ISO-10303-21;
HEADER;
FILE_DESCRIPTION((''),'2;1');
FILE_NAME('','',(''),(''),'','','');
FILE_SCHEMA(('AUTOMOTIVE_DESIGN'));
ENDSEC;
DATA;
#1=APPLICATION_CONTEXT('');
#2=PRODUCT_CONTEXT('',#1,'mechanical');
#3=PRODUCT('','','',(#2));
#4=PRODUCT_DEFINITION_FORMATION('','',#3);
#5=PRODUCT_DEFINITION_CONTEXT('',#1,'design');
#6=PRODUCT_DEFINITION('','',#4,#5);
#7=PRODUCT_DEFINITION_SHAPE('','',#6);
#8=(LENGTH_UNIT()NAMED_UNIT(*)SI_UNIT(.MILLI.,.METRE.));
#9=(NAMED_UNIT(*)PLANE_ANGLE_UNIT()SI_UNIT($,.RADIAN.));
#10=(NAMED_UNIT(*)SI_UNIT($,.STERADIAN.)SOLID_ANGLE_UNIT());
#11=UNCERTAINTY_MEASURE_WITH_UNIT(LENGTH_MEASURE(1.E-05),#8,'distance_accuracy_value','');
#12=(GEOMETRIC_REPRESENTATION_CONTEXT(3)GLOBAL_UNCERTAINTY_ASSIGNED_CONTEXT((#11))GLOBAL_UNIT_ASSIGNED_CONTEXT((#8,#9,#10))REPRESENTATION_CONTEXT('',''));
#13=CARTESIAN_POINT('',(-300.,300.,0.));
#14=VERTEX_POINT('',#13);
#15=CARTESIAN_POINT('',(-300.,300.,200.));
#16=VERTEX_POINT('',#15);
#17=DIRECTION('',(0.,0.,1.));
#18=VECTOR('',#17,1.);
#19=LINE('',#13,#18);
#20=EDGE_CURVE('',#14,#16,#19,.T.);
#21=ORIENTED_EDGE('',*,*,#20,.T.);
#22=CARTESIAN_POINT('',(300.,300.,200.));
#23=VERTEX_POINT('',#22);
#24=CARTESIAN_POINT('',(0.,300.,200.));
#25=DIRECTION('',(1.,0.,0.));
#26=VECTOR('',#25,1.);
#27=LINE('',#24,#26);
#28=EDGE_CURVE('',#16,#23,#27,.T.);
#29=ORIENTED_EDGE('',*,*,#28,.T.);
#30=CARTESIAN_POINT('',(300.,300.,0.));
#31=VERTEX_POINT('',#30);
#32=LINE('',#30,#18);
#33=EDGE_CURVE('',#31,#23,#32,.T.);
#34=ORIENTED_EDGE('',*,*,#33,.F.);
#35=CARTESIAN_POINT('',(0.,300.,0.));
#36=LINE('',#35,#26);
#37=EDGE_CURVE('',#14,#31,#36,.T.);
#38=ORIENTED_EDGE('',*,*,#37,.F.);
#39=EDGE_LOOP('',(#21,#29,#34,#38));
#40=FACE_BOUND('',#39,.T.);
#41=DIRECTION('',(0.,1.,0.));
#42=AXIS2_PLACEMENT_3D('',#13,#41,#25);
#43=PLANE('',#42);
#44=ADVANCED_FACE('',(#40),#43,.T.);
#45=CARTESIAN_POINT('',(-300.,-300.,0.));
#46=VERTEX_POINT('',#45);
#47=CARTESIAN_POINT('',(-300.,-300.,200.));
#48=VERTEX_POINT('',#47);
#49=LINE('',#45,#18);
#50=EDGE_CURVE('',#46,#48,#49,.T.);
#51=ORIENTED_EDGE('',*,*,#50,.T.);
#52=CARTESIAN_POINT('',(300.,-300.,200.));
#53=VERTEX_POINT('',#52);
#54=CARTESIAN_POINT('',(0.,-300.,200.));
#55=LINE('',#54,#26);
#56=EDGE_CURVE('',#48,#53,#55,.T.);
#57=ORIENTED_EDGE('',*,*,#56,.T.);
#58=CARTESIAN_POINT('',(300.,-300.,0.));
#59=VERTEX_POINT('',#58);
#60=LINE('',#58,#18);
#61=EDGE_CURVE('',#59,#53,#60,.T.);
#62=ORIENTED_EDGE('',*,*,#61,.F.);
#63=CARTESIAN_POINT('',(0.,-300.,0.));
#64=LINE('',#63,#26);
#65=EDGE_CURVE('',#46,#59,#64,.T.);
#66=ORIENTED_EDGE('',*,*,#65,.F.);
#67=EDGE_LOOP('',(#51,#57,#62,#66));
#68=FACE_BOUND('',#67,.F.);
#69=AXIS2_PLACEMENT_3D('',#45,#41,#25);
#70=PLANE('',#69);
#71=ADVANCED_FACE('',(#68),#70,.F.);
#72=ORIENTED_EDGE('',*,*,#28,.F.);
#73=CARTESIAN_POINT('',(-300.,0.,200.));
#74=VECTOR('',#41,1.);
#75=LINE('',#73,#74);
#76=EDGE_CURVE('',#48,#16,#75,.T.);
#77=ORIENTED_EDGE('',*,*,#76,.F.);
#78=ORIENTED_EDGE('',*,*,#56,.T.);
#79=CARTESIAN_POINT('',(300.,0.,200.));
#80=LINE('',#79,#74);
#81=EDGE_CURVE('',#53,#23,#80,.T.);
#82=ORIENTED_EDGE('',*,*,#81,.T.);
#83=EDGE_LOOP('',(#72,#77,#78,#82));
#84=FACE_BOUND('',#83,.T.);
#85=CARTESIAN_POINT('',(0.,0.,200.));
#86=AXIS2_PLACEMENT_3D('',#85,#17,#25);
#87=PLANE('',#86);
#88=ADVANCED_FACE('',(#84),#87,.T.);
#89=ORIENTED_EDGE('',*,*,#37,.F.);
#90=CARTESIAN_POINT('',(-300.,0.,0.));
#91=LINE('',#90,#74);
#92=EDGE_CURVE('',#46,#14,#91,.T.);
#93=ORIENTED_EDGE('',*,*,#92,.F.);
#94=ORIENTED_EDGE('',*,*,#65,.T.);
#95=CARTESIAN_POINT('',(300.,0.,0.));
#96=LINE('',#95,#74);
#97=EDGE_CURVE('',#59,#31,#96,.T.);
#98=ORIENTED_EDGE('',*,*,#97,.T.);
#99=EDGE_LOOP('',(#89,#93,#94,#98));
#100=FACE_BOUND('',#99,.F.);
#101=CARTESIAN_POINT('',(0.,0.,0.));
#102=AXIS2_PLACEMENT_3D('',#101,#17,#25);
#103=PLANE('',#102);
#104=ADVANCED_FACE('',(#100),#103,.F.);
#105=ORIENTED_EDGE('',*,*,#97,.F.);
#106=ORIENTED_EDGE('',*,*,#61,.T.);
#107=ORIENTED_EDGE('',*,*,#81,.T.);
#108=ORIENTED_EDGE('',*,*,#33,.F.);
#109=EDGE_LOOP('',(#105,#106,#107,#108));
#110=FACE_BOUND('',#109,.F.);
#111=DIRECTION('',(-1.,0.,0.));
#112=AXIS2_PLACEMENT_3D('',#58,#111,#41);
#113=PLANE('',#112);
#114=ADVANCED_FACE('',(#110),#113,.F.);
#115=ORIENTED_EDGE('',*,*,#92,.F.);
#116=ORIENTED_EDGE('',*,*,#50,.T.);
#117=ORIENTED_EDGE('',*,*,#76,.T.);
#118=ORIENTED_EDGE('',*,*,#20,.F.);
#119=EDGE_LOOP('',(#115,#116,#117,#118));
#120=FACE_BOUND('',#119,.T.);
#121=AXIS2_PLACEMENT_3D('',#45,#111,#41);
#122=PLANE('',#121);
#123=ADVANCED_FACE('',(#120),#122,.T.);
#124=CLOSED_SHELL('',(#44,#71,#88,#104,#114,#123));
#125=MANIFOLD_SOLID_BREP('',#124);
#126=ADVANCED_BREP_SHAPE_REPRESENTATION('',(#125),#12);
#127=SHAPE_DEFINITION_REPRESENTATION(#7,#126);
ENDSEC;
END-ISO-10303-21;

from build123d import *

# Parameters (mm, degrees)
SKETCH_W  = 600
SKETCH_H  = 600
PAD_DEPTH = 200


with BuildPart() as part:
    # Sketch → Pad (new body)
    with BuildSketch(Plane.XY):
        Rectangle(SKETCH_W, SKETCH_H)
    extrude(amount=PAD_DEPTH)


solid = part.part
